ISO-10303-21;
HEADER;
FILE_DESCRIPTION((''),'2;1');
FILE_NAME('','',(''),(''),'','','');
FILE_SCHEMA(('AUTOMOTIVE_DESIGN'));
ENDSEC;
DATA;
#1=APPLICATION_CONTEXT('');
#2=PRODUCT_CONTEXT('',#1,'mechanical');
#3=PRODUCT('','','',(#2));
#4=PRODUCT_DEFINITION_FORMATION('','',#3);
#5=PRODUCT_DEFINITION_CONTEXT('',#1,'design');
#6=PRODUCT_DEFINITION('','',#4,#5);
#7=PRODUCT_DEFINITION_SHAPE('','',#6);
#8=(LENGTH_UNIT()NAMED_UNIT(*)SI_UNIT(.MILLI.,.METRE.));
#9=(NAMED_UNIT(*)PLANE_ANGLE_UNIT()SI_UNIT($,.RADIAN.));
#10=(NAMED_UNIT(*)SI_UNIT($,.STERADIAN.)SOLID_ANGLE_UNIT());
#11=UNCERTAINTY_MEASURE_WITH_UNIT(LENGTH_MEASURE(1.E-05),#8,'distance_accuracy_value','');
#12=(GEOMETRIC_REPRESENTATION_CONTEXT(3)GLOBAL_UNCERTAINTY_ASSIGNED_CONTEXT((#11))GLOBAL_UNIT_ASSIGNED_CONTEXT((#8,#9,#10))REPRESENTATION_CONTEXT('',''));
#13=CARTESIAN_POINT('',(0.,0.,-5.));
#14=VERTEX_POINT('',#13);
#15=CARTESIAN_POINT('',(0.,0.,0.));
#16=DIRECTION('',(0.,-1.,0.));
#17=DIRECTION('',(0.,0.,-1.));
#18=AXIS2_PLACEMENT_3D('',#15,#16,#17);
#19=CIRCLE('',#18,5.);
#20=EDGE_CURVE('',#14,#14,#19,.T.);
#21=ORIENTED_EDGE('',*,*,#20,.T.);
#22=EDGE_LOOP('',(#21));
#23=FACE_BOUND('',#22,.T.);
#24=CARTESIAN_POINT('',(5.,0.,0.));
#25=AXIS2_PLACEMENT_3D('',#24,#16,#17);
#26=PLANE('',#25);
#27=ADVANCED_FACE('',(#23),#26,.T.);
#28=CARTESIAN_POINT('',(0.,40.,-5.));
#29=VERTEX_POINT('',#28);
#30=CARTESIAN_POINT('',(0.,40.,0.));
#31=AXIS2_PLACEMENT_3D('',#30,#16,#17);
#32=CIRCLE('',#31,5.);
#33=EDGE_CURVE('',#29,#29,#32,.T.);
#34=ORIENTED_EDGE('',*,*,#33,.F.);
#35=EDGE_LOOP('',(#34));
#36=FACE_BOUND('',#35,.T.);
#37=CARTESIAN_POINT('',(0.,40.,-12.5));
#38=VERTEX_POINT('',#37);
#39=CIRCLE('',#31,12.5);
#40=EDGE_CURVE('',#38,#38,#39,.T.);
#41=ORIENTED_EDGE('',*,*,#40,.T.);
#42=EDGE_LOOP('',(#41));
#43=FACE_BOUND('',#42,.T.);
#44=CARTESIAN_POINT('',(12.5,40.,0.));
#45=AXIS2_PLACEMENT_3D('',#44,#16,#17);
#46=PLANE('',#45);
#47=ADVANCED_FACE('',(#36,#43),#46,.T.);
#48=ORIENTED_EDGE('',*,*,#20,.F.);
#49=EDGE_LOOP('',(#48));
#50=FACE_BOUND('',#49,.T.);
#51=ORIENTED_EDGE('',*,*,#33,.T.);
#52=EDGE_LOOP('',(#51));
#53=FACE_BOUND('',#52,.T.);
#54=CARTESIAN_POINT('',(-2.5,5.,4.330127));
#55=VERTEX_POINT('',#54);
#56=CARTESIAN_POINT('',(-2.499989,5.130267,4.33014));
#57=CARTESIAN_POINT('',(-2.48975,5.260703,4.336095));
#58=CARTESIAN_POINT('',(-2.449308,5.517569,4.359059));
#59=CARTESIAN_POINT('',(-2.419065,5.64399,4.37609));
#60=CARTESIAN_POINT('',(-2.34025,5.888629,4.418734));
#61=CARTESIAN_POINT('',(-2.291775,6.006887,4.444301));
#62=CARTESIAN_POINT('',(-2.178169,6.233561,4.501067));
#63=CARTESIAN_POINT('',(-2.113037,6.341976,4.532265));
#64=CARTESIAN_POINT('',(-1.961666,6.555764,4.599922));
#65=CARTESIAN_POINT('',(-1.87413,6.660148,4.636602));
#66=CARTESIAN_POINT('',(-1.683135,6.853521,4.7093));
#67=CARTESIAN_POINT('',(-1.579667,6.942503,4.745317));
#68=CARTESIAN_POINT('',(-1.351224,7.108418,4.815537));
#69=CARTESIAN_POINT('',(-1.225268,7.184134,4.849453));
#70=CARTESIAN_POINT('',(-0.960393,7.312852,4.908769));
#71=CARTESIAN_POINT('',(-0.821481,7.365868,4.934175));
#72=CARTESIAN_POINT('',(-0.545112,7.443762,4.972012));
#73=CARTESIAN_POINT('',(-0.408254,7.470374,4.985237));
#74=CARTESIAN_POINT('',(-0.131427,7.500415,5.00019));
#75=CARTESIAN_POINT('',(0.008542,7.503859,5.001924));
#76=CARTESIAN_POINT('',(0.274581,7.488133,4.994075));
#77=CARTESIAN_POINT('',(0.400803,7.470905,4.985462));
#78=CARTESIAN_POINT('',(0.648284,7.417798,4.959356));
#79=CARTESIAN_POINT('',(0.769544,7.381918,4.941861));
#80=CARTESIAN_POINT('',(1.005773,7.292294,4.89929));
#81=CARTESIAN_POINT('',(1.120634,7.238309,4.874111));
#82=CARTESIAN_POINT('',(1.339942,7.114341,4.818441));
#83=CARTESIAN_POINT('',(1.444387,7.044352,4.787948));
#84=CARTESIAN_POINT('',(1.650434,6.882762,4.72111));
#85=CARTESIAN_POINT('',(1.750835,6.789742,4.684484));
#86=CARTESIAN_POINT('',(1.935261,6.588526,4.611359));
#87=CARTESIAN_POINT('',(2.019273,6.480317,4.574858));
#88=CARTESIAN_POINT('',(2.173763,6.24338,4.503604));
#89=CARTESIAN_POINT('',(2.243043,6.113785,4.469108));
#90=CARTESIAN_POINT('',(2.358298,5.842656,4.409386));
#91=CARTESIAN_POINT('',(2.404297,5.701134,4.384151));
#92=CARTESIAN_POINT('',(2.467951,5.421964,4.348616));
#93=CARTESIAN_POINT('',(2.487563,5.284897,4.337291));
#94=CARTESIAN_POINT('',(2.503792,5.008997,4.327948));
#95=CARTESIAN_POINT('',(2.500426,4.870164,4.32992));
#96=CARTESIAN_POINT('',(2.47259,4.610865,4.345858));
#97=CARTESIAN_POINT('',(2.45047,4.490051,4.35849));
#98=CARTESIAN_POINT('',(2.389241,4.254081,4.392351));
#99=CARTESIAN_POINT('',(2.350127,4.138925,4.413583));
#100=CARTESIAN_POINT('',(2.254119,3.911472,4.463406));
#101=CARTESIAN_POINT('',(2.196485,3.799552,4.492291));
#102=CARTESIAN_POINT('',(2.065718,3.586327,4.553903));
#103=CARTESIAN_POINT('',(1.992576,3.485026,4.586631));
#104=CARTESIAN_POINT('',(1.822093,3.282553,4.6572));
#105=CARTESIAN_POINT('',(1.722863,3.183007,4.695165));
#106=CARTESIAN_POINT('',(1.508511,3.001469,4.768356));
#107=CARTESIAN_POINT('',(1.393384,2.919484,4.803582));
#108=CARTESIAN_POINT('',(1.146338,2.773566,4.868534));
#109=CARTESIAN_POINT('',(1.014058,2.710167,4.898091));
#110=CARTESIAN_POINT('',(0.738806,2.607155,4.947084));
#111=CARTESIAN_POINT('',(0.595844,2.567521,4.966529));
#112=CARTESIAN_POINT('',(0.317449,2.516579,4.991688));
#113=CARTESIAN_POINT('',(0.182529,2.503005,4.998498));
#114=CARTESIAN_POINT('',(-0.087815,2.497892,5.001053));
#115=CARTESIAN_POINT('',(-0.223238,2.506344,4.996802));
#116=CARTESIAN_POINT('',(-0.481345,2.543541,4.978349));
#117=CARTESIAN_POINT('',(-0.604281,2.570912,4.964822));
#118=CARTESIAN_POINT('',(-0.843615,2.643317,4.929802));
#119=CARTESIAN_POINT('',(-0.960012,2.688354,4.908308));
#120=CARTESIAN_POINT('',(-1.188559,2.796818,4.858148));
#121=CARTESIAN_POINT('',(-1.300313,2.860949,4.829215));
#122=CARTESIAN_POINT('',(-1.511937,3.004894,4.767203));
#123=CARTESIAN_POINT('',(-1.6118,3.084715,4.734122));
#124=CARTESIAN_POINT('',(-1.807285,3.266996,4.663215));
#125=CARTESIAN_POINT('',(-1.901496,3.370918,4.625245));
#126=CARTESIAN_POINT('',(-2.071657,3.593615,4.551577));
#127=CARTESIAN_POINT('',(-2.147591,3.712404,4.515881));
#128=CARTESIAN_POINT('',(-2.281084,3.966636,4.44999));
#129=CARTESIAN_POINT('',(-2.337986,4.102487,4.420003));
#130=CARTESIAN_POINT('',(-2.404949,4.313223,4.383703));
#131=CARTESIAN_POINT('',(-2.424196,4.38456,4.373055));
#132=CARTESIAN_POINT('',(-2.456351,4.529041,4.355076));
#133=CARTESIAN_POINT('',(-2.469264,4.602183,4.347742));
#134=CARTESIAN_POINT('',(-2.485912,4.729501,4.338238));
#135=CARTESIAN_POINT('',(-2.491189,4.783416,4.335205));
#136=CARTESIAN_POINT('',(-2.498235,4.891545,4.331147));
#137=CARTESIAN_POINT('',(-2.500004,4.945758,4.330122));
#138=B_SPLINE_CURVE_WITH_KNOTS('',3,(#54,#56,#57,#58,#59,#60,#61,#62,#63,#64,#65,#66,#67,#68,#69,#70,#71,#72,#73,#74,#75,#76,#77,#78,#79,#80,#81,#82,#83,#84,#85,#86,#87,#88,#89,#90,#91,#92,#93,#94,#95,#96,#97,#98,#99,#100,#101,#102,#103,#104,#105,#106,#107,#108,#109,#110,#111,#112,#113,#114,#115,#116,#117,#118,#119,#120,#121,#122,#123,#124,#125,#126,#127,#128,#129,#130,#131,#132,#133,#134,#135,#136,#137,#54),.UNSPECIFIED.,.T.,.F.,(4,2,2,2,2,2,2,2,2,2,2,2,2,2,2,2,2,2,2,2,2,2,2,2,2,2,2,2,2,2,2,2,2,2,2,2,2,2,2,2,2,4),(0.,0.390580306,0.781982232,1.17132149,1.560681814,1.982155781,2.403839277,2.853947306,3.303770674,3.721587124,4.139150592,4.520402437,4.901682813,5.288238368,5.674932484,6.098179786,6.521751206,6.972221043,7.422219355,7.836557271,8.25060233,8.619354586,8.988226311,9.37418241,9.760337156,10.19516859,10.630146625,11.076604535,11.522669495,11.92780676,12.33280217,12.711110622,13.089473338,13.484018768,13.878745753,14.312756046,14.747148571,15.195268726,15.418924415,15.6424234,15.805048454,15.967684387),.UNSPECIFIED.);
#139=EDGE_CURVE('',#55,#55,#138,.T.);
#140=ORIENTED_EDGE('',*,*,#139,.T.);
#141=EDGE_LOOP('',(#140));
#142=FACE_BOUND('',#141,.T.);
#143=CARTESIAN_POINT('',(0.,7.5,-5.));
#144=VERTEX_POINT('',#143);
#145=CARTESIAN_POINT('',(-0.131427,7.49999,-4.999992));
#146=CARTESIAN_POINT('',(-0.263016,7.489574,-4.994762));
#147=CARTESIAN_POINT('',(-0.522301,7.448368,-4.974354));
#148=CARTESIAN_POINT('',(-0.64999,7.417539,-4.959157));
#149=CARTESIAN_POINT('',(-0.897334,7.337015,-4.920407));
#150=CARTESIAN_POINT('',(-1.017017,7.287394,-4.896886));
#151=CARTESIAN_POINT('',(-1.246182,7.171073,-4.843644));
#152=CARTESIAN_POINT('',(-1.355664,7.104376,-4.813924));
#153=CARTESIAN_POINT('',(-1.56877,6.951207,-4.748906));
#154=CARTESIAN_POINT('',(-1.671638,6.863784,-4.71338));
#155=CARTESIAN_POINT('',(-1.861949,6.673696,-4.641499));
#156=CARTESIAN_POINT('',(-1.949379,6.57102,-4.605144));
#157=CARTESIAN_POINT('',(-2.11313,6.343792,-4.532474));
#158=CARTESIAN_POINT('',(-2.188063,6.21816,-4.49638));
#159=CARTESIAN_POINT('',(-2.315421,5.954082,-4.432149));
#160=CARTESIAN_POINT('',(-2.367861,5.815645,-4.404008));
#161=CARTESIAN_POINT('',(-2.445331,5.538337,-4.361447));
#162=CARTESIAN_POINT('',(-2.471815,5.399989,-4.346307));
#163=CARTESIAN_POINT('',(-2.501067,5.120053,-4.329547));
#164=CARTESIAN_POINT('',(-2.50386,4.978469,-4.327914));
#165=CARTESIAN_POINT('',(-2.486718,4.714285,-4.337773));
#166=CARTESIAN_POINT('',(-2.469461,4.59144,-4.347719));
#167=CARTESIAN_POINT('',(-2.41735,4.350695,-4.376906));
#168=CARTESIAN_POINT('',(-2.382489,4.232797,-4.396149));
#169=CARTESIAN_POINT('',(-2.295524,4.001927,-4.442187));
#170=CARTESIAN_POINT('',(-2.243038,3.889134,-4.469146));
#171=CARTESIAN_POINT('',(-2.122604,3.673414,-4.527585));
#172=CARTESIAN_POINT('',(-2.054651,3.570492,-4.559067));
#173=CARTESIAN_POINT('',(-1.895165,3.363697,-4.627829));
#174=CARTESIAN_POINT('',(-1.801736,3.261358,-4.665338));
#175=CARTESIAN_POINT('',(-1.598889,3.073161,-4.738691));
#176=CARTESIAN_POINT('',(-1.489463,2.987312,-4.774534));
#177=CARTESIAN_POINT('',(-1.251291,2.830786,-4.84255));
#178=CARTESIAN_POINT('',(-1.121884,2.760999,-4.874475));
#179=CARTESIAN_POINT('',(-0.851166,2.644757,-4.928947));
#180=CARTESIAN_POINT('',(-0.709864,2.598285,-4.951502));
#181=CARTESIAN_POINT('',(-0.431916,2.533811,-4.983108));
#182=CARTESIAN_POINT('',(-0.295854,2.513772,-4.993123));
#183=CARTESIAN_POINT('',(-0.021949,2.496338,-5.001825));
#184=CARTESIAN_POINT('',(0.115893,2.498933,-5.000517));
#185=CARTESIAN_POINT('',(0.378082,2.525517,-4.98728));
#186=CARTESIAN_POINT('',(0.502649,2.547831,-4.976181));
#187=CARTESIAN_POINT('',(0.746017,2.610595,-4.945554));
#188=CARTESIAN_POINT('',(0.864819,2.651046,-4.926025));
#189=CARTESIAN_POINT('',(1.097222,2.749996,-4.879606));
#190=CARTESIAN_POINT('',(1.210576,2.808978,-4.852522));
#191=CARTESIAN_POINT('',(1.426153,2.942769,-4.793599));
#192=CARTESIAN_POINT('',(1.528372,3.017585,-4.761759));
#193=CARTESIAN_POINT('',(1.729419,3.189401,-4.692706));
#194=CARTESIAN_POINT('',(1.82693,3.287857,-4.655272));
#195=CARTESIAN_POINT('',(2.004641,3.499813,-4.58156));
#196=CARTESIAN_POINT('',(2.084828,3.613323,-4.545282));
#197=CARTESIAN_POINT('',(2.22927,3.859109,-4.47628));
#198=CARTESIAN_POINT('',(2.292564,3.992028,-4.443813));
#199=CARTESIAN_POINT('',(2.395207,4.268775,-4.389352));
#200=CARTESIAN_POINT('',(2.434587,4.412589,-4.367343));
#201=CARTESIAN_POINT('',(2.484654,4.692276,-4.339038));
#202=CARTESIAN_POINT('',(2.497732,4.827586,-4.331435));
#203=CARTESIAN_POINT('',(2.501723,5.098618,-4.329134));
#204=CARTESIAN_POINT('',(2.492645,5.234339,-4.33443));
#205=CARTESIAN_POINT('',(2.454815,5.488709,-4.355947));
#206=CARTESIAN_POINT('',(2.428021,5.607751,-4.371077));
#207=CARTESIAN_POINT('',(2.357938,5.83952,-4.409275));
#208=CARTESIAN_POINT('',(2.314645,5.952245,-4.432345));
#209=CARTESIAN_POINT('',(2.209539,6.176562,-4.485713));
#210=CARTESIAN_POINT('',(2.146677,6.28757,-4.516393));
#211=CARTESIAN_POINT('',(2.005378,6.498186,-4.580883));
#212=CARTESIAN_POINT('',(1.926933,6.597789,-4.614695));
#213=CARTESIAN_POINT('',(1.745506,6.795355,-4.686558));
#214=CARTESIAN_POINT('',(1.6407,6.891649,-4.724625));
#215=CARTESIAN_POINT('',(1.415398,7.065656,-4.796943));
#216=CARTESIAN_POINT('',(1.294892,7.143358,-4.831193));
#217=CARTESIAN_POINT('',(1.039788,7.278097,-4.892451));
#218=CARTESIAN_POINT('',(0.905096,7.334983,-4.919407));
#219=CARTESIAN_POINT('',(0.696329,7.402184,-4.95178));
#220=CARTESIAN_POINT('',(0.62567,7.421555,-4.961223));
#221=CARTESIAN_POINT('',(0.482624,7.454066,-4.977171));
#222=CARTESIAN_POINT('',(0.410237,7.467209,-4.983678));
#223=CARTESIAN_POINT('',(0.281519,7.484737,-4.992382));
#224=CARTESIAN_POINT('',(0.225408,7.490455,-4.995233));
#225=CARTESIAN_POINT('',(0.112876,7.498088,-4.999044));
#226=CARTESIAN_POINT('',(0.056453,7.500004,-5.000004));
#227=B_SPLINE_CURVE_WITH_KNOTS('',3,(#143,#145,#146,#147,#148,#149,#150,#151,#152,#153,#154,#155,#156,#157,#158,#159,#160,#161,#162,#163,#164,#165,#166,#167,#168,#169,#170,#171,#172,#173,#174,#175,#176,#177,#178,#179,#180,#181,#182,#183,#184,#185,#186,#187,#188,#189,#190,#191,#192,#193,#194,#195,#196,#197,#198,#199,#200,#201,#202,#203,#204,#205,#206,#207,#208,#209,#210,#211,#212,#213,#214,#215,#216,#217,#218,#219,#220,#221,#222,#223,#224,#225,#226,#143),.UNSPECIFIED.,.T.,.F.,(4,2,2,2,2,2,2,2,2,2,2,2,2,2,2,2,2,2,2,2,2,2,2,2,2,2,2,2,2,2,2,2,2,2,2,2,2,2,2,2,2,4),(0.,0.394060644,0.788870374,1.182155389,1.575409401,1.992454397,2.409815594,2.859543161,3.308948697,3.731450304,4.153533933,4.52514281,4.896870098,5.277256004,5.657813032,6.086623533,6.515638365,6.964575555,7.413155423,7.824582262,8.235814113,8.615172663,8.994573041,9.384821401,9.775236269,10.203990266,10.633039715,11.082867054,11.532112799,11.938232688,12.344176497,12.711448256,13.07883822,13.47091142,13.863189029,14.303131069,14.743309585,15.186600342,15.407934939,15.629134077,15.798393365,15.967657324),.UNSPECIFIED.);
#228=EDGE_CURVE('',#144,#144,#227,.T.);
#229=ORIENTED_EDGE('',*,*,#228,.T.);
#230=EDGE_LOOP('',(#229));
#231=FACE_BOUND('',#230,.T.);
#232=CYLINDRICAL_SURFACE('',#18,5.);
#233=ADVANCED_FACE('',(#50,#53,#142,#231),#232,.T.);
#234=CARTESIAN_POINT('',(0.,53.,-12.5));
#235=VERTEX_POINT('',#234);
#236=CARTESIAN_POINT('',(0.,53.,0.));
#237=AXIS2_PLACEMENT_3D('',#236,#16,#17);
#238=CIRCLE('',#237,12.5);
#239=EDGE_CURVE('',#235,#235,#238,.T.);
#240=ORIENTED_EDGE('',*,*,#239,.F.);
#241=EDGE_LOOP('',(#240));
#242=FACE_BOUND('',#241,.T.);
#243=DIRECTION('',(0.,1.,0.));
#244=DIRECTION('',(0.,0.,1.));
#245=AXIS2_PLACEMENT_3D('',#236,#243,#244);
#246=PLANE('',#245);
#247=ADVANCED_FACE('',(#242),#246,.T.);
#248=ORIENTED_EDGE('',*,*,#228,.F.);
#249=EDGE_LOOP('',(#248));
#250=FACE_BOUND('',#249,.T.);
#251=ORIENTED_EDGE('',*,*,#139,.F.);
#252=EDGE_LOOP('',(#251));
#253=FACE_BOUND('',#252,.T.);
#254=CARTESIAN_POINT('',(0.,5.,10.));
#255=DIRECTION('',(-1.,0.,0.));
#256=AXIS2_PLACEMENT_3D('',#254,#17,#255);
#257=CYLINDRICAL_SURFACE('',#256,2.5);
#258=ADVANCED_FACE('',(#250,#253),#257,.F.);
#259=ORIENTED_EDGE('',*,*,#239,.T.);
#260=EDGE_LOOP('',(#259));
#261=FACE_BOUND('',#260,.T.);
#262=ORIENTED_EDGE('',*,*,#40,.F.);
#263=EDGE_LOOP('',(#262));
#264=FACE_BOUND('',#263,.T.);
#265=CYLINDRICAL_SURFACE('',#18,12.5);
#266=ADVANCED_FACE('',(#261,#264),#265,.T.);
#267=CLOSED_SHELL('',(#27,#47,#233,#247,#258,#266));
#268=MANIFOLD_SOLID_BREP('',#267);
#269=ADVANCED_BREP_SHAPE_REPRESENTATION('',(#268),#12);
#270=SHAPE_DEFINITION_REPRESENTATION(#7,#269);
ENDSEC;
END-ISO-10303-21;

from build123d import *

# Parameters (mm, degrees)
CUT_EXTRUDE1_DEPTH      = 10
CUT_EXTRUDE1_DEPTH_BACK = 10
SKETCH2_R               = 2.5


with BuildPart() as part:
    # Sketch1 → Revolve1 (revolve)
    with BuildSketch(Plane.XY):
        Polygon((0, 0), (0, 53), (12.5, 53), (12.5, 40), (5, 40), (5, 0), align=None)
    revolve(axis=Axis((0, 0, 0), (0, 1, 0)))

    # Sketch2 → Cut-Extrude1 (cut, two sides: drawn at the far end of the back side and taken through both)
    with BuildSketch(Plane.XY.offset(-CUT_EXTRUDE1_DEPTH_BACK)):
        with Locations((0, 5)):
            Circle(SKETCH2_R)
    extrude(amount=CUT_EXTRUDE1_DEPTH + CUT_EXTRUDE1_DEPTH_BACK, mode=Mode.SUBTRACT)


solid = part.part
